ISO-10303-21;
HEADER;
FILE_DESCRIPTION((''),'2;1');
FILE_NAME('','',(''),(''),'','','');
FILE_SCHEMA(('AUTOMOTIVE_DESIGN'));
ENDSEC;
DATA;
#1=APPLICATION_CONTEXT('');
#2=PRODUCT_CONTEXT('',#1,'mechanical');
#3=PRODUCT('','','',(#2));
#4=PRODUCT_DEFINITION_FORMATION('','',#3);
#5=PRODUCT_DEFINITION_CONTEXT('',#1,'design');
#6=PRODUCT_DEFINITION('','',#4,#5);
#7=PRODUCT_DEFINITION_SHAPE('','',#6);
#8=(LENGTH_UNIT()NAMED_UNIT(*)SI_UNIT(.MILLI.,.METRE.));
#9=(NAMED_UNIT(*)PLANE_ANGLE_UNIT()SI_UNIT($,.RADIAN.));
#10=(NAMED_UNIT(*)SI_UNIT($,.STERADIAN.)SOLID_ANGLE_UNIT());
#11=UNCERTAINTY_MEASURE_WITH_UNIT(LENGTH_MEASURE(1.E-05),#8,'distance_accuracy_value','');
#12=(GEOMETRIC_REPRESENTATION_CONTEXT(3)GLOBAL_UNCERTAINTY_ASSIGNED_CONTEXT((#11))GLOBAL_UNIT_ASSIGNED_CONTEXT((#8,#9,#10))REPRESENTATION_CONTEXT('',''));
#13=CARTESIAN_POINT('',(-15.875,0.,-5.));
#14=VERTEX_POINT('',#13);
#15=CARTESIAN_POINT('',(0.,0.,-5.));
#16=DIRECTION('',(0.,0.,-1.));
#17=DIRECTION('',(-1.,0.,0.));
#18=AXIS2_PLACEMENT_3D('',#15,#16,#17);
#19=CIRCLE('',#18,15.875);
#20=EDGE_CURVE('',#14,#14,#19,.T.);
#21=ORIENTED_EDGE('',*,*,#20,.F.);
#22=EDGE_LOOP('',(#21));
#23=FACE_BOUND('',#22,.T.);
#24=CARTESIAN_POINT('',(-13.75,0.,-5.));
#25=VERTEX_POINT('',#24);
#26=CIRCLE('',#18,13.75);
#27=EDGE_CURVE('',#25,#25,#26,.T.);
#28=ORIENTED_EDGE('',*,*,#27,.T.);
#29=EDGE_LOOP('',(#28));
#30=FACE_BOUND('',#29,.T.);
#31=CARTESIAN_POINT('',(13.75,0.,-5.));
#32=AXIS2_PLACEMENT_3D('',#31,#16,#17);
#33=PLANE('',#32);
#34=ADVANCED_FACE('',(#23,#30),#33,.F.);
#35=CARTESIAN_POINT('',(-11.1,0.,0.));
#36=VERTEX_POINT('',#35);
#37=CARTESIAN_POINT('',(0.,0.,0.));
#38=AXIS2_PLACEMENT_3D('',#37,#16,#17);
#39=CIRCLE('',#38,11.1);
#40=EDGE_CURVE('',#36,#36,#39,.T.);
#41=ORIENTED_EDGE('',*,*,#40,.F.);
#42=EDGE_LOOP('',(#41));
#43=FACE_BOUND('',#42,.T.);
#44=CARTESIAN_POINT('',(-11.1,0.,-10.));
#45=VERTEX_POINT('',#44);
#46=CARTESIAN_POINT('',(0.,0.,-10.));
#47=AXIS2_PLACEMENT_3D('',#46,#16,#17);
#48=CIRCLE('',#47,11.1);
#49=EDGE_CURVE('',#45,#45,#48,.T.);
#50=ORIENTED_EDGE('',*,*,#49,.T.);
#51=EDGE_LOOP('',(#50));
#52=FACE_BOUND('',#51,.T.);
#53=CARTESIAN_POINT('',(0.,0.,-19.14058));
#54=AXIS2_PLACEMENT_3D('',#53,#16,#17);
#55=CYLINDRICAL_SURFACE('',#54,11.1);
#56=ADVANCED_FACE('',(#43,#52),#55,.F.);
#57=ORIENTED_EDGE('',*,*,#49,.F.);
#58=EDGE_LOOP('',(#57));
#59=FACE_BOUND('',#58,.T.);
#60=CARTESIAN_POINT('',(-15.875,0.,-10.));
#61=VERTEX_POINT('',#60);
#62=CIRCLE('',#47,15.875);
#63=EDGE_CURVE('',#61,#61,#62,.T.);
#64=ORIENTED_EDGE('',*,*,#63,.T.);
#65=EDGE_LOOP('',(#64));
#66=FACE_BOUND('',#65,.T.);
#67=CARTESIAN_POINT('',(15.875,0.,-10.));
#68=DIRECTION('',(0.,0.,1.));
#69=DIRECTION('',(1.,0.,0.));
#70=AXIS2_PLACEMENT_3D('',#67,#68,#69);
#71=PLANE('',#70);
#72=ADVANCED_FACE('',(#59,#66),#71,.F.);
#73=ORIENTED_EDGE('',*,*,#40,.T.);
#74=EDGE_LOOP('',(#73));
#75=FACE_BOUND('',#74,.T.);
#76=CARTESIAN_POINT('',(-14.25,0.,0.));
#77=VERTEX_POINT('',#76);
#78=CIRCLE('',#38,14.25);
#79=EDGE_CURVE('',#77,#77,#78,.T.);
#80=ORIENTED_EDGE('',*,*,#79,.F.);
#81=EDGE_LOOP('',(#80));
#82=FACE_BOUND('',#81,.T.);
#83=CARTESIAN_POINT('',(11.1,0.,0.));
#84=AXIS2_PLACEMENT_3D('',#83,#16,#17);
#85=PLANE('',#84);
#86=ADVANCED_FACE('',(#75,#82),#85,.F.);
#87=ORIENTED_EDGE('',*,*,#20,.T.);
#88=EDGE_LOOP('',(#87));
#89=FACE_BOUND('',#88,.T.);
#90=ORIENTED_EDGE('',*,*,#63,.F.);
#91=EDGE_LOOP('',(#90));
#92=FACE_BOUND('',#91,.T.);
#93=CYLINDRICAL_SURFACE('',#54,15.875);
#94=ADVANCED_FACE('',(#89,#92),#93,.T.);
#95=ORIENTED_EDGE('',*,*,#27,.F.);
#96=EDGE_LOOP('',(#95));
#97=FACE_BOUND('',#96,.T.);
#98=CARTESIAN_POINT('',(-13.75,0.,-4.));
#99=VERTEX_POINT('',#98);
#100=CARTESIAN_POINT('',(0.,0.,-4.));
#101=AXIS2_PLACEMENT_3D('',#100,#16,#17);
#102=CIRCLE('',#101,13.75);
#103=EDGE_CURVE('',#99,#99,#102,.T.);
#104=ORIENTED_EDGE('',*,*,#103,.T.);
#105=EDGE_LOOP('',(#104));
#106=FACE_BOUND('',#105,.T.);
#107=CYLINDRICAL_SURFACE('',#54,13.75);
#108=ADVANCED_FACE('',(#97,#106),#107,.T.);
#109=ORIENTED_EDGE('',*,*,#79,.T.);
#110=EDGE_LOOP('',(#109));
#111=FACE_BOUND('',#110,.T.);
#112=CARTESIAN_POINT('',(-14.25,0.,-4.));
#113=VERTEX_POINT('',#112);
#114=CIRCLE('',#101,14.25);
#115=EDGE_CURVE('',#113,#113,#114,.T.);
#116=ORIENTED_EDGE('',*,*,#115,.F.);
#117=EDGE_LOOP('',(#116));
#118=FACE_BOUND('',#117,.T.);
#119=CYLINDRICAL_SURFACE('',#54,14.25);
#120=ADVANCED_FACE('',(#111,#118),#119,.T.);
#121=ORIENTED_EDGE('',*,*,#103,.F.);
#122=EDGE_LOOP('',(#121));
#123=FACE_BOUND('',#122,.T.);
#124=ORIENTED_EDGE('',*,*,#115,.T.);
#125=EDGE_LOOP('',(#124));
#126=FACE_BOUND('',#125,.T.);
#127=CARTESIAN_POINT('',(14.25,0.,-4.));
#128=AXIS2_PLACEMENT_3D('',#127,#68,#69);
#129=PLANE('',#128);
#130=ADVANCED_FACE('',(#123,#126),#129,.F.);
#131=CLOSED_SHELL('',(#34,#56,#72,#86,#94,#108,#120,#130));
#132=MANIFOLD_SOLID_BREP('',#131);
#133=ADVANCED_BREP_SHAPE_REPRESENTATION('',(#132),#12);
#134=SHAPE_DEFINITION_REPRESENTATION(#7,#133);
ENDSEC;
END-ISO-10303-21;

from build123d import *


with BuildPart() as part:
    # 草图1 → 旋转1 (revolve)
    with BuildSketch(Plane(origin=(0, 0, 0), x_dir=(1, 0, 0), z_dir=(0, 1, 0)), mode=Mode.PRIVATE) as revolve_1_sk:
        Polygon((11.1, 0), (11.1, 10), (15.875, 10), (15.875, 5), (13.75, 5), (13.75, 4), (14.25, 4), (14.25, 0), align=None)
    revolve(revolve_1_sk.sketch.rotate(Axis((0, 0, -19.14057971), (0, 0, 1)), 180), axis=Axis((0, 0, -19.14057971), (0, 0, 1)))  # turned: the seam where the file's is


solid = part.part
